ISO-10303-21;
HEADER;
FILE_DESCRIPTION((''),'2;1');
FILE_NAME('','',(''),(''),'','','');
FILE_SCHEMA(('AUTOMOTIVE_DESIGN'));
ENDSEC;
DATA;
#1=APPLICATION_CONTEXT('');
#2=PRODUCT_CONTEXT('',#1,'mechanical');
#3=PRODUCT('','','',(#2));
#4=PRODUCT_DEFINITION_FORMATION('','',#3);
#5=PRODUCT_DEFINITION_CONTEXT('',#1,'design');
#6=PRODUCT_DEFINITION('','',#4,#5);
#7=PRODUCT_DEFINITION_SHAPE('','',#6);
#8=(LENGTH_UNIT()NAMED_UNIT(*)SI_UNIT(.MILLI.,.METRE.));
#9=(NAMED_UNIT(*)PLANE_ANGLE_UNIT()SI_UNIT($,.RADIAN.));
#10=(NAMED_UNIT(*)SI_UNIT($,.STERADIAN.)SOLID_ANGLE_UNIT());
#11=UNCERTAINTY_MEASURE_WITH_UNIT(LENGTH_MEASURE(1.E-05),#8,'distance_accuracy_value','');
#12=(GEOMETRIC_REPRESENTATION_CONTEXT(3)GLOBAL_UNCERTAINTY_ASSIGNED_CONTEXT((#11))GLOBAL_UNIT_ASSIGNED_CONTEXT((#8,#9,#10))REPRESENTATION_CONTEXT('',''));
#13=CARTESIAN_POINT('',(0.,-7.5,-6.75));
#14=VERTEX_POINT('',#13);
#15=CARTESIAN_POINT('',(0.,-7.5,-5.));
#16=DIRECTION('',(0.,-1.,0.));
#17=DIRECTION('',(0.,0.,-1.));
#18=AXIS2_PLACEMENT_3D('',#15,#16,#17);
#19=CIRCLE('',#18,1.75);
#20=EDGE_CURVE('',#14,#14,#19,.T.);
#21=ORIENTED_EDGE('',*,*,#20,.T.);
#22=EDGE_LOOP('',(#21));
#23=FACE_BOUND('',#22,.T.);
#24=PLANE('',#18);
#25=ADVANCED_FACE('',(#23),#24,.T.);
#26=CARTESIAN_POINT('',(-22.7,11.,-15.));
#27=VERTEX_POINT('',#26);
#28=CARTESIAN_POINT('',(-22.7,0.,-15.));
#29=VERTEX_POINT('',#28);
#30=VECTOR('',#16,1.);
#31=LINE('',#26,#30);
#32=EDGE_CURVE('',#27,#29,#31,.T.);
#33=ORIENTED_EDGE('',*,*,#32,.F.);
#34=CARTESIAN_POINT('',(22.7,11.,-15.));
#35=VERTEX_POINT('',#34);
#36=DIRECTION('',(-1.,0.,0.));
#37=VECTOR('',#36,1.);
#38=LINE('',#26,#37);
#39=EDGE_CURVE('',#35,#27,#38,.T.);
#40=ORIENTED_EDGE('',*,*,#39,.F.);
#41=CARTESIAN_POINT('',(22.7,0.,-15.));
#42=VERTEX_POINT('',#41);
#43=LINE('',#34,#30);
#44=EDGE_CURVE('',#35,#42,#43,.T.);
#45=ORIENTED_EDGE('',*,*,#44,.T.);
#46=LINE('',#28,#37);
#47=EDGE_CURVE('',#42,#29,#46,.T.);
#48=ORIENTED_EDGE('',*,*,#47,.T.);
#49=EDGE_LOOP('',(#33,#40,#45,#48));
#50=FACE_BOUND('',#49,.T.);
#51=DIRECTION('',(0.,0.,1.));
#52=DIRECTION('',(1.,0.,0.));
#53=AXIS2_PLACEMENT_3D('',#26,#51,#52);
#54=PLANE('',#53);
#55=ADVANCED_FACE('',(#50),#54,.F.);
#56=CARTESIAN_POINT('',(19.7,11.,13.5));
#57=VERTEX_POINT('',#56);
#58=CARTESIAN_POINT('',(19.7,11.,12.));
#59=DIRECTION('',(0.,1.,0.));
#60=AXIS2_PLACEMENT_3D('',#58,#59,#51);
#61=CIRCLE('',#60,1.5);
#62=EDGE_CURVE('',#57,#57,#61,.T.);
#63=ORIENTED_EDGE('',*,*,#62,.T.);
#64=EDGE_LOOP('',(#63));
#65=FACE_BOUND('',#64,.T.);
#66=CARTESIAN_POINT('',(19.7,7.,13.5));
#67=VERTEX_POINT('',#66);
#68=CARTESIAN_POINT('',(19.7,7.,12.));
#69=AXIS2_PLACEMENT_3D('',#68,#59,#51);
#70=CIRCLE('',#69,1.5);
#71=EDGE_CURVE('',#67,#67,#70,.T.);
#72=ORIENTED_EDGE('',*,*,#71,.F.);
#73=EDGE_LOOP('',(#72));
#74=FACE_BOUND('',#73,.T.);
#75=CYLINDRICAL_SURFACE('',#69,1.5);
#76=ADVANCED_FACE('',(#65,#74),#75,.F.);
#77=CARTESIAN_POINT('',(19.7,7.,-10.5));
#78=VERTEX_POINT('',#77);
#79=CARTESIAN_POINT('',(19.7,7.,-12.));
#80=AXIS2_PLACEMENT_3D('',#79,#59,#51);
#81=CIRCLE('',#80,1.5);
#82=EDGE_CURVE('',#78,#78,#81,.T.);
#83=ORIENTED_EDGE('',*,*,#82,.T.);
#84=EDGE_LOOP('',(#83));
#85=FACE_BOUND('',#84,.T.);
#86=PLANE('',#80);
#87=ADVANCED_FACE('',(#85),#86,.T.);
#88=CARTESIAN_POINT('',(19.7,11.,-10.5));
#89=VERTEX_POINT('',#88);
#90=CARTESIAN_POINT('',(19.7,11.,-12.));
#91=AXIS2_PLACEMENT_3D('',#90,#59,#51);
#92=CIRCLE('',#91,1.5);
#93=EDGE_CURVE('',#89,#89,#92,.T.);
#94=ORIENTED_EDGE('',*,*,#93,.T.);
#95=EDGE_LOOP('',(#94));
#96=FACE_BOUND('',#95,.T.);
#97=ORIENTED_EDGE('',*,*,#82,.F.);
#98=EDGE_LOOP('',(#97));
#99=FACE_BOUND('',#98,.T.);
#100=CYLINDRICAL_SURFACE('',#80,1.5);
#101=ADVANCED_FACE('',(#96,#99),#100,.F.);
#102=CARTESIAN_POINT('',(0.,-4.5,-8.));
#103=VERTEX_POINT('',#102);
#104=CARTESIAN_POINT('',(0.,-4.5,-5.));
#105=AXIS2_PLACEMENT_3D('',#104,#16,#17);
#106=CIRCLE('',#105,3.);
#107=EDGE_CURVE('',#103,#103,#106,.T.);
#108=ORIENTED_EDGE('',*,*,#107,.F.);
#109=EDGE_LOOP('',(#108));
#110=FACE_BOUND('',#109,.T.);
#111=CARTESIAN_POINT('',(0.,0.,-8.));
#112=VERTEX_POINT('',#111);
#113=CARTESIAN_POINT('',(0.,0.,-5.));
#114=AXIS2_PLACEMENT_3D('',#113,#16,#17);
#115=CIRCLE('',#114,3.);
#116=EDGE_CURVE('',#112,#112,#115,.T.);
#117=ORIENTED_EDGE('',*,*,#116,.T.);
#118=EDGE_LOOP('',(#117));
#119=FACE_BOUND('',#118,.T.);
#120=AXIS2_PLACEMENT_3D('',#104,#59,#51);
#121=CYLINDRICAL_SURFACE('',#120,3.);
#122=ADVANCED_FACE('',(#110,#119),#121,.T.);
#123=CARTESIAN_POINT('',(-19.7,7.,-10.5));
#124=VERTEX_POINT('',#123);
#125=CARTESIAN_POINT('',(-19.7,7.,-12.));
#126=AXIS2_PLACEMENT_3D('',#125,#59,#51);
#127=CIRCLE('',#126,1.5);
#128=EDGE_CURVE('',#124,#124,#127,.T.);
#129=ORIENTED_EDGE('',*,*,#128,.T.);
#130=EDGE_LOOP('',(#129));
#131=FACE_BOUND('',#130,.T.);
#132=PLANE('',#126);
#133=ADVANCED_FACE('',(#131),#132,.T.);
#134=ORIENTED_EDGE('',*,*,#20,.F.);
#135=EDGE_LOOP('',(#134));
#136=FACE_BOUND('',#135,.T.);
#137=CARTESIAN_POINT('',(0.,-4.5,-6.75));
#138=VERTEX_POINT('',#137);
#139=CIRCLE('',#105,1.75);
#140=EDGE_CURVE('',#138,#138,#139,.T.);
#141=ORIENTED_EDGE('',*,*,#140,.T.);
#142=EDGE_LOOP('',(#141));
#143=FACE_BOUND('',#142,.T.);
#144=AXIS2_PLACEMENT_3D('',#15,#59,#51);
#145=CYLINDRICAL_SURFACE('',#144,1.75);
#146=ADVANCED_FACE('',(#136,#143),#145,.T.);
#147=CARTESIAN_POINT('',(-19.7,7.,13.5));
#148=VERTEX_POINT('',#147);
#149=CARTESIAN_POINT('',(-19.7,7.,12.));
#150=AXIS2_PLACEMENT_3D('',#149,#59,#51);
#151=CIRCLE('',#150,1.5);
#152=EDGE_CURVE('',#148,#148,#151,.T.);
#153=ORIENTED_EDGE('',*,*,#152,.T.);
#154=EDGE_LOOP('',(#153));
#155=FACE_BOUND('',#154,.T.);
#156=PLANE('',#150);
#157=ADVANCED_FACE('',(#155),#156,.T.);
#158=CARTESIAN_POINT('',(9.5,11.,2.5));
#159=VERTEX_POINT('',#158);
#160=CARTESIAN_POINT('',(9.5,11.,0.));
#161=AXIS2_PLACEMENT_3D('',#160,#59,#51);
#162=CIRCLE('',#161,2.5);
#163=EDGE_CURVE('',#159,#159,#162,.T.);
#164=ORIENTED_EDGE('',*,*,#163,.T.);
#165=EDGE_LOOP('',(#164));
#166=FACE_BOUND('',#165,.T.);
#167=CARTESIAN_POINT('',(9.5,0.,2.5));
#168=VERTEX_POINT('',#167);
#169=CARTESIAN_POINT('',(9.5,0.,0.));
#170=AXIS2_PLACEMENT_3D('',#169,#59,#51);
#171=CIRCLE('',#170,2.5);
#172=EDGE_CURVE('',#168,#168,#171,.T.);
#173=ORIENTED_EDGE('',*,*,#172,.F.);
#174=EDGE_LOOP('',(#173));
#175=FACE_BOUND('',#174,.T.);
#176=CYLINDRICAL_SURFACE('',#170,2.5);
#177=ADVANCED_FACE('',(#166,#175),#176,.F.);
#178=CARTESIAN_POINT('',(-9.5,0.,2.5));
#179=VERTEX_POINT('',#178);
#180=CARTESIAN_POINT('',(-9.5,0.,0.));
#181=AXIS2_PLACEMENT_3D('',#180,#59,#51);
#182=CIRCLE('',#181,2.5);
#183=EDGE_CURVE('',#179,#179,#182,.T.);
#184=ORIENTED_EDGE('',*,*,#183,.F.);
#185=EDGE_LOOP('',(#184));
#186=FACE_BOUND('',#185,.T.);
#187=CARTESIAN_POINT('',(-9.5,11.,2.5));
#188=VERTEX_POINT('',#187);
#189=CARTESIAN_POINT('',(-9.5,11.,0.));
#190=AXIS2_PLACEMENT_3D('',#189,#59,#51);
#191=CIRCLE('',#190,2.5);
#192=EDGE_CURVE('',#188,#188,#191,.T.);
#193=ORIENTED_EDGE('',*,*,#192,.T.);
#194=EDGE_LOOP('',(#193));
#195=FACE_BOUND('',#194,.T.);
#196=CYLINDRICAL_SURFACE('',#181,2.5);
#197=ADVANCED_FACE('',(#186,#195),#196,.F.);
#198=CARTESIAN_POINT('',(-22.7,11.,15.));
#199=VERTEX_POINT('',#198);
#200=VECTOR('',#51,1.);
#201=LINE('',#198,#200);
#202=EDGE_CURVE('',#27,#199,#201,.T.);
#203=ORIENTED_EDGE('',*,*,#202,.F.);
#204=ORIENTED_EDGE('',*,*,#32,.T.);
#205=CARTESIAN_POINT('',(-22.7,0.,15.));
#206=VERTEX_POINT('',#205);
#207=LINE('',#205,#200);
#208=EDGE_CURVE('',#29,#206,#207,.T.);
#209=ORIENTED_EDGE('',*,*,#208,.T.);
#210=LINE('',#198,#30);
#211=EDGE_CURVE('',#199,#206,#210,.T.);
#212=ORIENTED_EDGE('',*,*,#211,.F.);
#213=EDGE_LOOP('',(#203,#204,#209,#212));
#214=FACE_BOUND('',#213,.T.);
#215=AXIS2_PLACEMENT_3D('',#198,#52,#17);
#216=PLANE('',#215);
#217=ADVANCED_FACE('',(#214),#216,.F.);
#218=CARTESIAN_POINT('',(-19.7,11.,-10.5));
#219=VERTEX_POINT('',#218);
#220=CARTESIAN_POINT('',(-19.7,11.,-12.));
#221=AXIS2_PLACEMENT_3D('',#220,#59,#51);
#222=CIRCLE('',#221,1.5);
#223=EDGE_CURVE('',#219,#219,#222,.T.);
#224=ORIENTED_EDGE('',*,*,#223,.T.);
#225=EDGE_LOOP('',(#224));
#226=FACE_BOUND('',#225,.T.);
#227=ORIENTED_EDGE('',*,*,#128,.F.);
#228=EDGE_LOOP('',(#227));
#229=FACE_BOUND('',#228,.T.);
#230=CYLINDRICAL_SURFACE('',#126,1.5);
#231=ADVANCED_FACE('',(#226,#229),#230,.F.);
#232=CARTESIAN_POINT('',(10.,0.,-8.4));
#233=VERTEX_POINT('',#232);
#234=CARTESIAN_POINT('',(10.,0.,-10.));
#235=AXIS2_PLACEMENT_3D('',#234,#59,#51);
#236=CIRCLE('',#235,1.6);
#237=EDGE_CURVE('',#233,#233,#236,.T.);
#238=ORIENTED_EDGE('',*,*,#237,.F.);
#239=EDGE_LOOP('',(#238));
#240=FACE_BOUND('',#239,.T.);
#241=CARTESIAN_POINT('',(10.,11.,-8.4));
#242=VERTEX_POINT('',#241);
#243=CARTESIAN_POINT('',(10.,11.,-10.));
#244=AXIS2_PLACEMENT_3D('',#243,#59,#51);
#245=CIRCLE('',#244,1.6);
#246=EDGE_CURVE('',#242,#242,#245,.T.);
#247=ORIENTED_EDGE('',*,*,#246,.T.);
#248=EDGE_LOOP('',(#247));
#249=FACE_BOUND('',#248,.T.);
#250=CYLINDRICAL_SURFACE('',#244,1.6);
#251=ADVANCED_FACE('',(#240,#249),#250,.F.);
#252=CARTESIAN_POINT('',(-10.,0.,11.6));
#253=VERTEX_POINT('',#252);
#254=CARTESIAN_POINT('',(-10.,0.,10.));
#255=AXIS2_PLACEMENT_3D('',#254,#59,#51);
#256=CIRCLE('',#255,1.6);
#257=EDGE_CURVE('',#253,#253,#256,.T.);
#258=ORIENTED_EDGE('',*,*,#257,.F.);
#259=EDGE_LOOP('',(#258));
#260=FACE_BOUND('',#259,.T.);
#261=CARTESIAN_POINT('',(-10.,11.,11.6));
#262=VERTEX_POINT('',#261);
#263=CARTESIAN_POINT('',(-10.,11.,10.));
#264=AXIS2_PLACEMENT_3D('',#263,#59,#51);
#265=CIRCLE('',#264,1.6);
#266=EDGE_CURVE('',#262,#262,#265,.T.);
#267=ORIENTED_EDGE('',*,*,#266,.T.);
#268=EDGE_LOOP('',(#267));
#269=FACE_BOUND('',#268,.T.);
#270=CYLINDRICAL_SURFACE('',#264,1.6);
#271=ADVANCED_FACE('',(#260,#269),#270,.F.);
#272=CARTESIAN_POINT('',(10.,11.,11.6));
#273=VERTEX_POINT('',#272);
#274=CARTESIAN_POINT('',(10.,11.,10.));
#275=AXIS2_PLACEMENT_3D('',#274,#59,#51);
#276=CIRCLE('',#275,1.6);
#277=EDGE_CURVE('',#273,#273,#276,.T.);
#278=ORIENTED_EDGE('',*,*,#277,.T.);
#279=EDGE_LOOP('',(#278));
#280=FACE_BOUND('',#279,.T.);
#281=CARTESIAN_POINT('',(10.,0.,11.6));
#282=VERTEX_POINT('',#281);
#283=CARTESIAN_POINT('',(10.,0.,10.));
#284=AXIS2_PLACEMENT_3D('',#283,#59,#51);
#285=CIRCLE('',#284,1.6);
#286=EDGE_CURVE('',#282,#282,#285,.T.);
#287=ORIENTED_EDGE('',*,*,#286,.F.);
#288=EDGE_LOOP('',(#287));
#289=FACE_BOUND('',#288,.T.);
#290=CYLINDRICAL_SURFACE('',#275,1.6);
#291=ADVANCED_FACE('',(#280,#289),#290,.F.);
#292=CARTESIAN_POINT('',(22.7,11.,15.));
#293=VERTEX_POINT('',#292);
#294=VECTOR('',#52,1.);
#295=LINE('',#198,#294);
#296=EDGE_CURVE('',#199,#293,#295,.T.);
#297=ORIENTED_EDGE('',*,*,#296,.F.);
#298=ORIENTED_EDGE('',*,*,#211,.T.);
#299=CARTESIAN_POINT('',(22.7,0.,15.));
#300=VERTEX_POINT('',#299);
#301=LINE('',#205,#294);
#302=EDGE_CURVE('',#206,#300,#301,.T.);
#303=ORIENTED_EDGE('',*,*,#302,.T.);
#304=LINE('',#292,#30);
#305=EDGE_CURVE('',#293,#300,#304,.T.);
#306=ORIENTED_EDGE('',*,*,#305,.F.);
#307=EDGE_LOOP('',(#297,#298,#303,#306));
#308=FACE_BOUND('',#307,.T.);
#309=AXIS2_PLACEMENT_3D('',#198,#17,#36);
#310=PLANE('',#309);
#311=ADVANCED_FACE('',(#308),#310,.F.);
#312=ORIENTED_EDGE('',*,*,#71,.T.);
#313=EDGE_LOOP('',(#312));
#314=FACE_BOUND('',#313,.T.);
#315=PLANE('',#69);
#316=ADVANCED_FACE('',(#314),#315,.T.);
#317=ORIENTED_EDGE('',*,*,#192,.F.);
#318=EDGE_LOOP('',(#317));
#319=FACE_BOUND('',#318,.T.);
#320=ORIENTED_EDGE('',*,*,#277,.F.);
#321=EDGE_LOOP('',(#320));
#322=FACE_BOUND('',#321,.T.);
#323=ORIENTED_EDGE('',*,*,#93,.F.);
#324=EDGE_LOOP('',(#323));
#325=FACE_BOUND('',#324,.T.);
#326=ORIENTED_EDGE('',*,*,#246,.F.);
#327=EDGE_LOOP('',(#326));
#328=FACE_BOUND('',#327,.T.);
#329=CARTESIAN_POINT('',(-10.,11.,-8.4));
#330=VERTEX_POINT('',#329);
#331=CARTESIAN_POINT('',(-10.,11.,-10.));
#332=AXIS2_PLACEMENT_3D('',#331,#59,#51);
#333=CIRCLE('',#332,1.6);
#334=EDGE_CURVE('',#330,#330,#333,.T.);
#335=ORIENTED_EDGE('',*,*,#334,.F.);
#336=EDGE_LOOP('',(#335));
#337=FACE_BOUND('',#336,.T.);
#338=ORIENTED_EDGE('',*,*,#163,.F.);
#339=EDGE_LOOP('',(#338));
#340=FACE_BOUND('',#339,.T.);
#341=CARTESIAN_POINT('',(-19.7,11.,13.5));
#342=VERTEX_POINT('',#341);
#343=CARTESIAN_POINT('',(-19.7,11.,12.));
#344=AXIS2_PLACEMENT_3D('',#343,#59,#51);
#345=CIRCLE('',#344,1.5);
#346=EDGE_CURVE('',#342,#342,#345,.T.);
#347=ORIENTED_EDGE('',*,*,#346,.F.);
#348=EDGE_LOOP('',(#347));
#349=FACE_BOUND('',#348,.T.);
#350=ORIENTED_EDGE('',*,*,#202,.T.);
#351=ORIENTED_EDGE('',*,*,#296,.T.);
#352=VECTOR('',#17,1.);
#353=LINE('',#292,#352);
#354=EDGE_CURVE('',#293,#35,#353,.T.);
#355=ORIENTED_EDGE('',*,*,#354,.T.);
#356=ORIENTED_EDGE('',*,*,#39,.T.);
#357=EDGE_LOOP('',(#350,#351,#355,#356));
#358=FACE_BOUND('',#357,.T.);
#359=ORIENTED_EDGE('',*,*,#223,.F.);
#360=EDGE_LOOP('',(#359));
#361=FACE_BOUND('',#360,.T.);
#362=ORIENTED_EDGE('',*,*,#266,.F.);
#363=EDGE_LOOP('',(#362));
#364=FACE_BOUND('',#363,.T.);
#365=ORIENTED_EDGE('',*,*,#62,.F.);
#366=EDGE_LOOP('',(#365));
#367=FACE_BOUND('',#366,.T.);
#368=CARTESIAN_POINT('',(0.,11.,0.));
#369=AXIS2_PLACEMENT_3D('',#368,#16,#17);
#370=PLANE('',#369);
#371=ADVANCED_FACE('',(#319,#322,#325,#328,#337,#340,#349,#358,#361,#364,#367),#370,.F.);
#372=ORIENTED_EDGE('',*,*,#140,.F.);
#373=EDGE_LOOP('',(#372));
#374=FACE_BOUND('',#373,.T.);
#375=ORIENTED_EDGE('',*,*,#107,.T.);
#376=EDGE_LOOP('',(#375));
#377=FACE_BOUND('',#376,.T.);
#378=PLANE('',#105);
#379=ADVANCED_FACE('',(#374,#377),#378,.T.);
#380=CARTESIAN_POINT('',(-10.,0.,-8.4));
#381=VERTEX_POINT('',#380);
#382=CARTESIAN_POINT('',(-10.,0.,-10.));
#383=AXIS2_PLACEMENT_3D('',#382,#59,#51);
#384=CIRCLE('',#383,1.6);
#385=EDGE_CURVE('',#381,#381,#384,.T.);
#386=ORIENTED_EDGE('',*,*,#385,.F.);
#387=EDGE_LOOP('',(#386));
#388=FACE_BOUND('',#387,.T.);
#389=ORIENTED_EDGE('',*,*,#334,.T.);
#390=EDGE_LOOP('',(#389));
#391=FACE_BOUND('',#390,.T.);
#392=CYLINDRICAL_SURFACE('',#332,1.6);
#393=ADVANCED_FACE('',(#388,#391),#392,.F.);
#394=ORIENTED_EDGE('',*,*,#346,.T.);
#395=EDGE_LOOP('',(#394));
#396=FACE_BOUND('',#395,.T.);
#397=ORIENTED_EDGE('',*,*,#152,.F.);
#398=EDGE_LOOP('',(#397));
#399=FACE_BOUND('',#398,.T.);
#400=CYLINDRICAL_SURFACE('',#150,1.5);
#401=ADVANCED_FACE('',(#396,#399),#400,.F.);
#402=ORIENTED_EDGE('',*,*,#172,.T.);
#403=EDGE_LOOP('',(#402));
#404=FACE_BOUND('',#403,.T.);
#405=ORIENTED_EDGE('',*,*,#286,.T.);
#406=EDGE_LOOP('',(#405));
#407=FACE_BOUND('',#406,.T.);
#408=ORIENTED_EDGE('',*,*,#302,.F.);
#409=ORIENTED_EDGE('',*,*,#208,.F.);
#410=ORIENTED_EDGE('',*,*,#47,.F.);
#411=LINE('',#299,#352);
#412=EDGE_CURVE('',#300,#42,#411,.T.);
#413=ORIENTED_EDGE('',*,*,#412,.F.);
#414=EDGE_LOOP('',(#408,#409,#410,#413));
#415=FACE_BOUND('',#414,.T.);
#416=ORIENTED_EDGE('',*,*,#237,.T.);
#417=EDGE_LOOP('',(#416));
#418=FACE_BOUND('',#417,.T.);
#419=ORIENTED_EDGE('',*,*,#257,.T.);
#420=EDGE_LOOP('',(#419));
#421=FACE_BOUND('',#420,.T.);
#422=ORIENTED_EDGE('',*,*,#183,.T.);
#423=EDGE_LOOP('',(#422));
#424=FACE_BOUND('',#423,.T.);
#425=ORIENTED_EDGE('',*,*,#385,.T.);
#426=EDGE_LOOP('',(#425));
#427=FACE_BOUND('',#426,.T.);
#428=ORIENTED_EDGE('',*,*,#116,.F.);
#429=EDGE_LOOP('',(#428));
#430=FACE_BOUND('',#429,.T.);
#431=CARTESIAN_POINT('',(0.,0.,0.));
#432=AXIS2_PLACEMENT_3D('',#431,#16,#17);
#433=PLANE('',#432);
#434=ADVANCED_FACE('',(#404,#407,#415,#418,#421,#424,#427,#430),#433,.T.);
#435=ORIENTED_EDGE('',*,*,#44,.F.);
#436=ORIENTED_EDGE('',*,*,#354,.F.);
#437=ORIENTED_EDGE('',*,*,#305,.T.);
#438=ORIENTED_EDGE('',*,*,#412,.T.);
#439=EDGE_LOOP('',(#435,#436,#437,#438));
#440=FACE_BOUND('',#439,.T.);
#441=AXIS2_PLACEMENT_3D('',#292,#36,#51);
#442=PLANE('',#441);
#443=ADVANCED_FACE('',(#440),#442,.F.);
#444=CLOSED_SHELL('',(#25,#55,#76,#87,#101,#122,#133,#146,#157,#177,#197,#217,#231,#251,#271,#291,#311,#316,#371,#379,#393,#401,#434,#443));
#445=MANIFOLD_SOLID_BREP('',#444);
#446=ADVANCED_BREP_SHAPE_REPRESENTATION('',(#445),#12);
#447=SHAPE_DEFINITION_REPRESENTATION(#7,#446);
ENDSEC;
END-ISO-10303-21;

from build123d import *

# Parameters (mm, degrees)
SKETCH1_W             = 45.4
SKETCH1_H             = 30
BOSS_EXTRUDE1_DEPTH   = 11
SKETCH2_R             = 2.5
CUT_EXTRUDE1_DEPTH    = 30.347742673
F_3_0MM_DOWEL_HOLE1_D = 3.2
SKETCH5_R             = 3
BOSS_EXTRUDE2_DEPTH   = 4.5
SKETCH6_R             = 1.75
BOSS_EXTRUDE3_DEPTH   = 3
SKETCH7_R             = 1.5
CUT_EXTRUDE2_DEPTH    = 4


with BuildPart() as part:
    # Sketch1 → Boss-Extrude1 (new body)
    with BuildSketch(Plane(origin=(0, 0, 0), x_dir=(1, 0, 0), z_dir=(0, 1, 0))):
        Rectangle(SKETCH1_W, SKETCH1_H)
    extrude(amount=BOSS_EXTRUDE1_DEPTH)

    # Sketch2 → Cut-Extrude1 (cut, through all)
    with BuildSketch(Plane(origin=(0, 11, 0), x_dir=(1, 0, 0), z_dir=(0, 1, 0))):
        with Locations(Location((-9.5, 0, 0), (0, 0, 270))):
            Circle(SKETCH2_R)
        with Locations(Location((9.5, 0, 0), (0, 0, 270))):
            Circle(SKETCH2_R)
    extrude(amount=-CUT_EXTRUDE1_DEPTH, mode=Mode.SUBTRACT)

    # Ø3.0mm Dowel Hole1 (through all)
    with Locations(Plane(origin=(0, 11, 0), x_dir=(1, 0, 0), z_dir=(0, 1, 0))):
        with Locations((-10, 10), (10, 10), (10, -10), (-10, -10)):
            Hole(F_3_0MM_DOWEL_HOLE1_D / 2)

    # Sketch5 → Boss-Extrude2 (add)
    with BuildSketch(Plane.XZ):
        with Locations(Location((0, -5, 0), (0, 0, 270))):
            Circle(SKETCH5_R)
    extrude(amount=BOSS_EXTRUDE2_DEPTH)

    # Sketch6 → Boss-Extrude3 (add)
    with BuildSketch(Plane.XZ.offset(4.5)):
        with Locations(Location((0, -5, 0), (0, 0, 270))):
            Circle(SKETCH6_R)
    extrude(amount=BOSS_EXTRUDE3_DEPTH)

    # Sketch7 → Cut-Extrude2 (cut)
    with BuildSketch(Plane(origin=(0, 11, 0), x_dir=(1, 0, 0), z_dir=(0, 1, 0))):
        with Locations(Location((-19.7, 12, 0), (0, 0, 270))):
            Circle(SKETCH7_R)
        with Locations(Location((19.7, 12, 0), (0, 0, 270))):
            Circle(SKETCH7_R)
        with Locations(Location((19.7, -12, 0), (0, 0, 270))):
            Circle(SKETCH7_R)
        with Locations(Location((-19.7, -12, 0), (0, 0, 270))):
            Circle(SKETCH7_R)
    extrude(amount=-CUT_EXTRUDE2_DEPTH, mode=Mode.SUBTRACT)


solid = part.part
